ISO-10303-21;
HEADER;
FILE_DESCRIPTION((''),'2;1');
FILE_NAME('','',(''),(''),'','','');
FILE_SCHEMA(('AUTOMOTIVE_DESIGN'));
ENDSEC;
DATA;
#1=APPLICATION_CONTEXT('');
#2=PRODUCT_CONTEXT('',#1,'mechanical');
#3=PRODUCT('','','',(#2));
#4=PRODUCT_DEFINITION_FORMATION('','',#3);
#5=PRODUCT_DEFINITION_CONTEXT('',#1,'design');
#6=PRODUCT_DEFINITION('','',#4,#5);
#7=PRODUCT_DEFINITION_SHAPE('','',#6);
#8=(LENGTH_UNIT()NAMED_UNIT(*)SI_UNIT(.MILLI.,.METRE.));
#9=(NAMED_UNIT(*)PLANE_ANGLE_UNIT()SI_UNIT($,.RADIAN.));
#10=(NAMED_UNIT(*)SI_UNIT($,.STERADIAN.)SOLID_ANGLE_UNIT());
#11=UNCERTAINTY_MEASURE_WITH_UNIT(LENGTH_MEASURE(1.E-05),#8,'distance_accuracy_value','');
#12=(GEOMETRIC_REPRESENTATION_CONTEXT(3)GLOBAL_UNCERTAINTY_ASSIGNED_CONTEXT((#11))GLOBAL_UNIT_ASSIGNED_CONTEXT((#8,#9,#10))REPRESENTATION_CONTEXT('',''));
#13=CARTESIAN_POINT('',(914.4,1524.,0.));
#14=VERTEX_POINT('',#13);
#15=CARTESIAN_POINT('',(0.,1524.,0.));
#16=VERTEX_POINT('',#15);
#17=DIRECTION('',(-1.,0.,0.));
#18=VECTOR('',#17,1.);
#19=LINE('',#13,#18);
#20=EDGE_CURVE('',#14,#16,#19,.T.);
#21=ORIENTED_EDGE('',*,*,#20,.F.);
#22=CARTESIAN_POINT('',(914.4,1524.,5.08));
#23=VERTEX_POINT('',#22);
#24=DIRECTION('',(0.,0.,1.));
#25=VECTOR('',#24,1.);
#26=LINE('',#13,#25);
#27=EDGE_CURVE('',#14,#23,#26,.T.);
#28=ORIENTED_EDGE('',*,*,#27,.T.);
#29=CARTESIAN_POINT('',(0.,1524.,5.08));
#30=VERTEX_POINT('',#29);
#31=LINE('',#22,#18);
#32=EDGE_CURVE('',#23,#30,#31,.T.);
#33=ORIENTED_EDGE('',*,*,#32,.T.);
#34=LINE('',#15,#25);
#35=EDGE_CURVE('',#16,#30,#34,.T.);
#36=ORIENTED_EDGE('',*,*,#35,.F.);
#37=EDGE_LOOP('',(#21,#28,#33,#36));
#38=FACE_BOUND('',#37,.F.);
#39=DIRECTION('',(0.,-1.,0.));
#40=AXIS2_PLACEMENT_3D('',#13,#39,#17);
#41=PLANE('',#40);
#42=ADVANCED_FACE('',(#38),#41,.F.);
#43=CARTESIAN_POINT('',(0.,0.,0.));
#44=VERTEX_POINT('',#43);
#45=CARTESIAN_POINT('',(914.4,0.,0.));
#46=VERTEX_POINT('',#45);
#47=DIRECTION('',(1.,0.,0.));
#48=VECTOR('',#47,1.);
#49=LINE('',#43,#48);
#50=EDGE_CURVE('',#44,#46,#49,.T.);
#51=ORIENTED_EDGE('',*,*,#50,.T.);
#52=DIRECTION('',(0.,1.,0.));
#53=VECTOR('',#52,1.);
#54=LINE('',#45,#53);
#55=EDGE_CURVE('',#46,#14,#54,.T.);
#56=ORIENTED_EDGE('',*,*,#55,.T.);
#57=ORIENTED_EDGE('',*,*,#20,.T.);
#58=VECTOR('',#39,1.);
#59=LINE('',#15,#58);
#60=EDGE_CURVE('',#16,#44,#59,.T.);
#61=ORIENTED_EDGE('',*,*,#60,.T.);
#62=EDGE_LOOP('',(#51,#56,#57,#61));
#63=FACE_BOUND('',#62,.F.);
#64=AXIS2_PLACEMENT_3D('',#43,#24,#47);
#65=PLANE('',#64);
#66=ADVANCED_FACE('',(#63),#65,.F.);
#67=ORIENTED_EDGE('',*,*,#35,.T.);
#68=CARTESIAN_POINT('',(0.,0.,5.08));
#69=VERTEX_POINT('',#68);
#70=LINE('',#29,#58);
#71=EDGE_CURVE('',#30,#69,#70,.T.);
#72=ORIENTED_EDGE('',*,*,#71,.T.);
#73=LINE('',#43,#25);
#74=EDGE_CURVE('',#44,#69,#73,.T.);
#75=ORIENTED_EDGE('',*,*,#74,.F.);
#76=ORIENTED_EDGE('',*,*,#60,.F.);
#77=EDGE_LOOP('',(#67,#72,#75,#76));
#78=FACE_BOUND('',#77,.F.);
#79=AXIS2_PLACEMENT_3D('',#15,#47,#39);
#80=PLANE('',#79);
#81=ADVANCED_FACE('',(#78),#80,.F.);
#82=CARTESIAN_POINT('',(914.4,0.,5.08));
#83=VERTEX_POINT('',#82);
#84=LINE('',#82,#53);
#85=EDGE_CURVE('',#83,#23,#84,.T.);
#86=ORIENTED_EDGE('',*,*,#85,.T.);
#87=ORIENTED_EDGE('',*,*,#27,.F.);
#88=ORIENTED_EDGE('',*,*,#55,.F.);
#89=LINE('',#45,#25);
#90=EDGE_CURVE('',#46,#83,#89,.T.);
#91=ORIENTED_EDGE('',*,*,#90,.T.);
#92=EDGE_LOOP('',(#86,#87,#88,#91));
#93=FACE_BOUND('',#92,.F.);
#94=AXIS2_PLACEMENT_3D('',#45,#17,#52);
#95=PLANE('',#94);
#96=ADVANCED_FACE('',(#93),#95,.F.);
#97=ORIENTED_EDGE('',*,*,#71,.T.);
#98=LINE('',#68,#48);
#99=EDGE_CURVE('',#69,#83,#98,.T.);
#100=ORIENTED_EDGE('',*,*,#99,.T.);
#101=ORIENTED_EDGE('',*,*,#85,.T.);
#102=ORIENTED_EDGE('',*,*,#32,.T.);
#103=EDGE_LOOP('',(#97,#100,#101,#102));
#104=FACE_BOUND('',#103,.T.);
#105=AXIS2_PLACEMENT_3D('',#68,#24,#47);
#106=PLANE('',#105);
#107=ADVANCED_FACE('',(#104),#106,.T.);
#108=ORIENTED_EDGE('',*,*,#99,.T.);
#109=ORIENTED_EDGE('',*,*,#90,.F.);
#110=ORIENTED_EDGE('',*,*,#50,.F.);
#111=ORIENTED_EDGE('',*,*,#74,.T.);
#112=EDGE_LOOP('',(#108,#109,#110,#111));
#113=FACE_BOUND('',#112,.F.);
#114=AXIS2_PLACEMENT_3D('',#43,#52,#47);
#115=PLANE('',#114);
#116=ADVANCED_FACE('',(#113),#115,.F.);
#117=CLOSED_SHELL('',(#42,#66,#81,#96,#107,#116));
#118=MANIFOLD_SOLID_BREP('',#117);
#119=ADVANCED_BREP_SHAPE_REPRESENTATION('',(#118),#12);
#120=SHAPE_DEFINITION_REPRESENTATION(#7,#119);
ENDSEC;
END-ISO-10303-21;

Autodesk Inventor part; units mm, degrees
ref_plane "YZ Plane" through (0, 0, 0) normal (1, 0, 0) x (0, 1, 0)
ref_plane "XZ Plane" through (0, 0, 0) normal (0, 1, 0) x (-1, 0, 0)
ref_plane "XY Plane" through (0, 0, 0) normal (0, 0, 1) x (1, 0, 0)
sketch "Sketch1" plane through (0, 0, 0) normal (0, 0, 1) x (1, 0, 0)
  line L0 (0, 0) -> (914.4, 0)
  line L1 (914.4, 0) -> (914.4, 1524)
  line L2 (914.4, 1524) -> (0, 1524)
  line L3 (0, 1524) -> (0, 0)
  dimension "d0" = 914.4
  dimension "d1" = 1524
extrude "Extrusion1" add sketch "Sketch1" along normal blind 5.08
sketch "Sketch2" plane through (0, 0, 5.08) normal (0, 0, 1) x (1, 0, 0)
  line L0 (0, 0) -> (914.4, 0) projected
  line L1 (914.4, 0) -> (914.4, 1524) projected
  line L2 (914.4, 1524) -> (0, 1524) projected
  line L3 (0, 1524) -> (0, 0) projected
  line L4 (218.9125, 1195.0171) -> (654.4999, 1195.0171) construction
  line L5 (654.4999, 1195.0171) -> (654.4999, 1036.689) construction
  line L6 (654.4999, 1036.689) -> (218.9125, 1036.689) construction
  line L7 (218.9125, 1036.689) -> (218.9125, 1195.0171) construction
  line L8 (80.552, 697.9442) -> (847.9037, 697.9442) construction
  line L9 (847.9037, 697.9442) -> (847.9037, 570.9442) construction
  line L10 (847.9037, 570.9442) -> (80.552, 570.9442) construction
  line L11 (80.552, 570.9442) -> (80.552, 697.9442) construction
properties part number "Winner Banner"
